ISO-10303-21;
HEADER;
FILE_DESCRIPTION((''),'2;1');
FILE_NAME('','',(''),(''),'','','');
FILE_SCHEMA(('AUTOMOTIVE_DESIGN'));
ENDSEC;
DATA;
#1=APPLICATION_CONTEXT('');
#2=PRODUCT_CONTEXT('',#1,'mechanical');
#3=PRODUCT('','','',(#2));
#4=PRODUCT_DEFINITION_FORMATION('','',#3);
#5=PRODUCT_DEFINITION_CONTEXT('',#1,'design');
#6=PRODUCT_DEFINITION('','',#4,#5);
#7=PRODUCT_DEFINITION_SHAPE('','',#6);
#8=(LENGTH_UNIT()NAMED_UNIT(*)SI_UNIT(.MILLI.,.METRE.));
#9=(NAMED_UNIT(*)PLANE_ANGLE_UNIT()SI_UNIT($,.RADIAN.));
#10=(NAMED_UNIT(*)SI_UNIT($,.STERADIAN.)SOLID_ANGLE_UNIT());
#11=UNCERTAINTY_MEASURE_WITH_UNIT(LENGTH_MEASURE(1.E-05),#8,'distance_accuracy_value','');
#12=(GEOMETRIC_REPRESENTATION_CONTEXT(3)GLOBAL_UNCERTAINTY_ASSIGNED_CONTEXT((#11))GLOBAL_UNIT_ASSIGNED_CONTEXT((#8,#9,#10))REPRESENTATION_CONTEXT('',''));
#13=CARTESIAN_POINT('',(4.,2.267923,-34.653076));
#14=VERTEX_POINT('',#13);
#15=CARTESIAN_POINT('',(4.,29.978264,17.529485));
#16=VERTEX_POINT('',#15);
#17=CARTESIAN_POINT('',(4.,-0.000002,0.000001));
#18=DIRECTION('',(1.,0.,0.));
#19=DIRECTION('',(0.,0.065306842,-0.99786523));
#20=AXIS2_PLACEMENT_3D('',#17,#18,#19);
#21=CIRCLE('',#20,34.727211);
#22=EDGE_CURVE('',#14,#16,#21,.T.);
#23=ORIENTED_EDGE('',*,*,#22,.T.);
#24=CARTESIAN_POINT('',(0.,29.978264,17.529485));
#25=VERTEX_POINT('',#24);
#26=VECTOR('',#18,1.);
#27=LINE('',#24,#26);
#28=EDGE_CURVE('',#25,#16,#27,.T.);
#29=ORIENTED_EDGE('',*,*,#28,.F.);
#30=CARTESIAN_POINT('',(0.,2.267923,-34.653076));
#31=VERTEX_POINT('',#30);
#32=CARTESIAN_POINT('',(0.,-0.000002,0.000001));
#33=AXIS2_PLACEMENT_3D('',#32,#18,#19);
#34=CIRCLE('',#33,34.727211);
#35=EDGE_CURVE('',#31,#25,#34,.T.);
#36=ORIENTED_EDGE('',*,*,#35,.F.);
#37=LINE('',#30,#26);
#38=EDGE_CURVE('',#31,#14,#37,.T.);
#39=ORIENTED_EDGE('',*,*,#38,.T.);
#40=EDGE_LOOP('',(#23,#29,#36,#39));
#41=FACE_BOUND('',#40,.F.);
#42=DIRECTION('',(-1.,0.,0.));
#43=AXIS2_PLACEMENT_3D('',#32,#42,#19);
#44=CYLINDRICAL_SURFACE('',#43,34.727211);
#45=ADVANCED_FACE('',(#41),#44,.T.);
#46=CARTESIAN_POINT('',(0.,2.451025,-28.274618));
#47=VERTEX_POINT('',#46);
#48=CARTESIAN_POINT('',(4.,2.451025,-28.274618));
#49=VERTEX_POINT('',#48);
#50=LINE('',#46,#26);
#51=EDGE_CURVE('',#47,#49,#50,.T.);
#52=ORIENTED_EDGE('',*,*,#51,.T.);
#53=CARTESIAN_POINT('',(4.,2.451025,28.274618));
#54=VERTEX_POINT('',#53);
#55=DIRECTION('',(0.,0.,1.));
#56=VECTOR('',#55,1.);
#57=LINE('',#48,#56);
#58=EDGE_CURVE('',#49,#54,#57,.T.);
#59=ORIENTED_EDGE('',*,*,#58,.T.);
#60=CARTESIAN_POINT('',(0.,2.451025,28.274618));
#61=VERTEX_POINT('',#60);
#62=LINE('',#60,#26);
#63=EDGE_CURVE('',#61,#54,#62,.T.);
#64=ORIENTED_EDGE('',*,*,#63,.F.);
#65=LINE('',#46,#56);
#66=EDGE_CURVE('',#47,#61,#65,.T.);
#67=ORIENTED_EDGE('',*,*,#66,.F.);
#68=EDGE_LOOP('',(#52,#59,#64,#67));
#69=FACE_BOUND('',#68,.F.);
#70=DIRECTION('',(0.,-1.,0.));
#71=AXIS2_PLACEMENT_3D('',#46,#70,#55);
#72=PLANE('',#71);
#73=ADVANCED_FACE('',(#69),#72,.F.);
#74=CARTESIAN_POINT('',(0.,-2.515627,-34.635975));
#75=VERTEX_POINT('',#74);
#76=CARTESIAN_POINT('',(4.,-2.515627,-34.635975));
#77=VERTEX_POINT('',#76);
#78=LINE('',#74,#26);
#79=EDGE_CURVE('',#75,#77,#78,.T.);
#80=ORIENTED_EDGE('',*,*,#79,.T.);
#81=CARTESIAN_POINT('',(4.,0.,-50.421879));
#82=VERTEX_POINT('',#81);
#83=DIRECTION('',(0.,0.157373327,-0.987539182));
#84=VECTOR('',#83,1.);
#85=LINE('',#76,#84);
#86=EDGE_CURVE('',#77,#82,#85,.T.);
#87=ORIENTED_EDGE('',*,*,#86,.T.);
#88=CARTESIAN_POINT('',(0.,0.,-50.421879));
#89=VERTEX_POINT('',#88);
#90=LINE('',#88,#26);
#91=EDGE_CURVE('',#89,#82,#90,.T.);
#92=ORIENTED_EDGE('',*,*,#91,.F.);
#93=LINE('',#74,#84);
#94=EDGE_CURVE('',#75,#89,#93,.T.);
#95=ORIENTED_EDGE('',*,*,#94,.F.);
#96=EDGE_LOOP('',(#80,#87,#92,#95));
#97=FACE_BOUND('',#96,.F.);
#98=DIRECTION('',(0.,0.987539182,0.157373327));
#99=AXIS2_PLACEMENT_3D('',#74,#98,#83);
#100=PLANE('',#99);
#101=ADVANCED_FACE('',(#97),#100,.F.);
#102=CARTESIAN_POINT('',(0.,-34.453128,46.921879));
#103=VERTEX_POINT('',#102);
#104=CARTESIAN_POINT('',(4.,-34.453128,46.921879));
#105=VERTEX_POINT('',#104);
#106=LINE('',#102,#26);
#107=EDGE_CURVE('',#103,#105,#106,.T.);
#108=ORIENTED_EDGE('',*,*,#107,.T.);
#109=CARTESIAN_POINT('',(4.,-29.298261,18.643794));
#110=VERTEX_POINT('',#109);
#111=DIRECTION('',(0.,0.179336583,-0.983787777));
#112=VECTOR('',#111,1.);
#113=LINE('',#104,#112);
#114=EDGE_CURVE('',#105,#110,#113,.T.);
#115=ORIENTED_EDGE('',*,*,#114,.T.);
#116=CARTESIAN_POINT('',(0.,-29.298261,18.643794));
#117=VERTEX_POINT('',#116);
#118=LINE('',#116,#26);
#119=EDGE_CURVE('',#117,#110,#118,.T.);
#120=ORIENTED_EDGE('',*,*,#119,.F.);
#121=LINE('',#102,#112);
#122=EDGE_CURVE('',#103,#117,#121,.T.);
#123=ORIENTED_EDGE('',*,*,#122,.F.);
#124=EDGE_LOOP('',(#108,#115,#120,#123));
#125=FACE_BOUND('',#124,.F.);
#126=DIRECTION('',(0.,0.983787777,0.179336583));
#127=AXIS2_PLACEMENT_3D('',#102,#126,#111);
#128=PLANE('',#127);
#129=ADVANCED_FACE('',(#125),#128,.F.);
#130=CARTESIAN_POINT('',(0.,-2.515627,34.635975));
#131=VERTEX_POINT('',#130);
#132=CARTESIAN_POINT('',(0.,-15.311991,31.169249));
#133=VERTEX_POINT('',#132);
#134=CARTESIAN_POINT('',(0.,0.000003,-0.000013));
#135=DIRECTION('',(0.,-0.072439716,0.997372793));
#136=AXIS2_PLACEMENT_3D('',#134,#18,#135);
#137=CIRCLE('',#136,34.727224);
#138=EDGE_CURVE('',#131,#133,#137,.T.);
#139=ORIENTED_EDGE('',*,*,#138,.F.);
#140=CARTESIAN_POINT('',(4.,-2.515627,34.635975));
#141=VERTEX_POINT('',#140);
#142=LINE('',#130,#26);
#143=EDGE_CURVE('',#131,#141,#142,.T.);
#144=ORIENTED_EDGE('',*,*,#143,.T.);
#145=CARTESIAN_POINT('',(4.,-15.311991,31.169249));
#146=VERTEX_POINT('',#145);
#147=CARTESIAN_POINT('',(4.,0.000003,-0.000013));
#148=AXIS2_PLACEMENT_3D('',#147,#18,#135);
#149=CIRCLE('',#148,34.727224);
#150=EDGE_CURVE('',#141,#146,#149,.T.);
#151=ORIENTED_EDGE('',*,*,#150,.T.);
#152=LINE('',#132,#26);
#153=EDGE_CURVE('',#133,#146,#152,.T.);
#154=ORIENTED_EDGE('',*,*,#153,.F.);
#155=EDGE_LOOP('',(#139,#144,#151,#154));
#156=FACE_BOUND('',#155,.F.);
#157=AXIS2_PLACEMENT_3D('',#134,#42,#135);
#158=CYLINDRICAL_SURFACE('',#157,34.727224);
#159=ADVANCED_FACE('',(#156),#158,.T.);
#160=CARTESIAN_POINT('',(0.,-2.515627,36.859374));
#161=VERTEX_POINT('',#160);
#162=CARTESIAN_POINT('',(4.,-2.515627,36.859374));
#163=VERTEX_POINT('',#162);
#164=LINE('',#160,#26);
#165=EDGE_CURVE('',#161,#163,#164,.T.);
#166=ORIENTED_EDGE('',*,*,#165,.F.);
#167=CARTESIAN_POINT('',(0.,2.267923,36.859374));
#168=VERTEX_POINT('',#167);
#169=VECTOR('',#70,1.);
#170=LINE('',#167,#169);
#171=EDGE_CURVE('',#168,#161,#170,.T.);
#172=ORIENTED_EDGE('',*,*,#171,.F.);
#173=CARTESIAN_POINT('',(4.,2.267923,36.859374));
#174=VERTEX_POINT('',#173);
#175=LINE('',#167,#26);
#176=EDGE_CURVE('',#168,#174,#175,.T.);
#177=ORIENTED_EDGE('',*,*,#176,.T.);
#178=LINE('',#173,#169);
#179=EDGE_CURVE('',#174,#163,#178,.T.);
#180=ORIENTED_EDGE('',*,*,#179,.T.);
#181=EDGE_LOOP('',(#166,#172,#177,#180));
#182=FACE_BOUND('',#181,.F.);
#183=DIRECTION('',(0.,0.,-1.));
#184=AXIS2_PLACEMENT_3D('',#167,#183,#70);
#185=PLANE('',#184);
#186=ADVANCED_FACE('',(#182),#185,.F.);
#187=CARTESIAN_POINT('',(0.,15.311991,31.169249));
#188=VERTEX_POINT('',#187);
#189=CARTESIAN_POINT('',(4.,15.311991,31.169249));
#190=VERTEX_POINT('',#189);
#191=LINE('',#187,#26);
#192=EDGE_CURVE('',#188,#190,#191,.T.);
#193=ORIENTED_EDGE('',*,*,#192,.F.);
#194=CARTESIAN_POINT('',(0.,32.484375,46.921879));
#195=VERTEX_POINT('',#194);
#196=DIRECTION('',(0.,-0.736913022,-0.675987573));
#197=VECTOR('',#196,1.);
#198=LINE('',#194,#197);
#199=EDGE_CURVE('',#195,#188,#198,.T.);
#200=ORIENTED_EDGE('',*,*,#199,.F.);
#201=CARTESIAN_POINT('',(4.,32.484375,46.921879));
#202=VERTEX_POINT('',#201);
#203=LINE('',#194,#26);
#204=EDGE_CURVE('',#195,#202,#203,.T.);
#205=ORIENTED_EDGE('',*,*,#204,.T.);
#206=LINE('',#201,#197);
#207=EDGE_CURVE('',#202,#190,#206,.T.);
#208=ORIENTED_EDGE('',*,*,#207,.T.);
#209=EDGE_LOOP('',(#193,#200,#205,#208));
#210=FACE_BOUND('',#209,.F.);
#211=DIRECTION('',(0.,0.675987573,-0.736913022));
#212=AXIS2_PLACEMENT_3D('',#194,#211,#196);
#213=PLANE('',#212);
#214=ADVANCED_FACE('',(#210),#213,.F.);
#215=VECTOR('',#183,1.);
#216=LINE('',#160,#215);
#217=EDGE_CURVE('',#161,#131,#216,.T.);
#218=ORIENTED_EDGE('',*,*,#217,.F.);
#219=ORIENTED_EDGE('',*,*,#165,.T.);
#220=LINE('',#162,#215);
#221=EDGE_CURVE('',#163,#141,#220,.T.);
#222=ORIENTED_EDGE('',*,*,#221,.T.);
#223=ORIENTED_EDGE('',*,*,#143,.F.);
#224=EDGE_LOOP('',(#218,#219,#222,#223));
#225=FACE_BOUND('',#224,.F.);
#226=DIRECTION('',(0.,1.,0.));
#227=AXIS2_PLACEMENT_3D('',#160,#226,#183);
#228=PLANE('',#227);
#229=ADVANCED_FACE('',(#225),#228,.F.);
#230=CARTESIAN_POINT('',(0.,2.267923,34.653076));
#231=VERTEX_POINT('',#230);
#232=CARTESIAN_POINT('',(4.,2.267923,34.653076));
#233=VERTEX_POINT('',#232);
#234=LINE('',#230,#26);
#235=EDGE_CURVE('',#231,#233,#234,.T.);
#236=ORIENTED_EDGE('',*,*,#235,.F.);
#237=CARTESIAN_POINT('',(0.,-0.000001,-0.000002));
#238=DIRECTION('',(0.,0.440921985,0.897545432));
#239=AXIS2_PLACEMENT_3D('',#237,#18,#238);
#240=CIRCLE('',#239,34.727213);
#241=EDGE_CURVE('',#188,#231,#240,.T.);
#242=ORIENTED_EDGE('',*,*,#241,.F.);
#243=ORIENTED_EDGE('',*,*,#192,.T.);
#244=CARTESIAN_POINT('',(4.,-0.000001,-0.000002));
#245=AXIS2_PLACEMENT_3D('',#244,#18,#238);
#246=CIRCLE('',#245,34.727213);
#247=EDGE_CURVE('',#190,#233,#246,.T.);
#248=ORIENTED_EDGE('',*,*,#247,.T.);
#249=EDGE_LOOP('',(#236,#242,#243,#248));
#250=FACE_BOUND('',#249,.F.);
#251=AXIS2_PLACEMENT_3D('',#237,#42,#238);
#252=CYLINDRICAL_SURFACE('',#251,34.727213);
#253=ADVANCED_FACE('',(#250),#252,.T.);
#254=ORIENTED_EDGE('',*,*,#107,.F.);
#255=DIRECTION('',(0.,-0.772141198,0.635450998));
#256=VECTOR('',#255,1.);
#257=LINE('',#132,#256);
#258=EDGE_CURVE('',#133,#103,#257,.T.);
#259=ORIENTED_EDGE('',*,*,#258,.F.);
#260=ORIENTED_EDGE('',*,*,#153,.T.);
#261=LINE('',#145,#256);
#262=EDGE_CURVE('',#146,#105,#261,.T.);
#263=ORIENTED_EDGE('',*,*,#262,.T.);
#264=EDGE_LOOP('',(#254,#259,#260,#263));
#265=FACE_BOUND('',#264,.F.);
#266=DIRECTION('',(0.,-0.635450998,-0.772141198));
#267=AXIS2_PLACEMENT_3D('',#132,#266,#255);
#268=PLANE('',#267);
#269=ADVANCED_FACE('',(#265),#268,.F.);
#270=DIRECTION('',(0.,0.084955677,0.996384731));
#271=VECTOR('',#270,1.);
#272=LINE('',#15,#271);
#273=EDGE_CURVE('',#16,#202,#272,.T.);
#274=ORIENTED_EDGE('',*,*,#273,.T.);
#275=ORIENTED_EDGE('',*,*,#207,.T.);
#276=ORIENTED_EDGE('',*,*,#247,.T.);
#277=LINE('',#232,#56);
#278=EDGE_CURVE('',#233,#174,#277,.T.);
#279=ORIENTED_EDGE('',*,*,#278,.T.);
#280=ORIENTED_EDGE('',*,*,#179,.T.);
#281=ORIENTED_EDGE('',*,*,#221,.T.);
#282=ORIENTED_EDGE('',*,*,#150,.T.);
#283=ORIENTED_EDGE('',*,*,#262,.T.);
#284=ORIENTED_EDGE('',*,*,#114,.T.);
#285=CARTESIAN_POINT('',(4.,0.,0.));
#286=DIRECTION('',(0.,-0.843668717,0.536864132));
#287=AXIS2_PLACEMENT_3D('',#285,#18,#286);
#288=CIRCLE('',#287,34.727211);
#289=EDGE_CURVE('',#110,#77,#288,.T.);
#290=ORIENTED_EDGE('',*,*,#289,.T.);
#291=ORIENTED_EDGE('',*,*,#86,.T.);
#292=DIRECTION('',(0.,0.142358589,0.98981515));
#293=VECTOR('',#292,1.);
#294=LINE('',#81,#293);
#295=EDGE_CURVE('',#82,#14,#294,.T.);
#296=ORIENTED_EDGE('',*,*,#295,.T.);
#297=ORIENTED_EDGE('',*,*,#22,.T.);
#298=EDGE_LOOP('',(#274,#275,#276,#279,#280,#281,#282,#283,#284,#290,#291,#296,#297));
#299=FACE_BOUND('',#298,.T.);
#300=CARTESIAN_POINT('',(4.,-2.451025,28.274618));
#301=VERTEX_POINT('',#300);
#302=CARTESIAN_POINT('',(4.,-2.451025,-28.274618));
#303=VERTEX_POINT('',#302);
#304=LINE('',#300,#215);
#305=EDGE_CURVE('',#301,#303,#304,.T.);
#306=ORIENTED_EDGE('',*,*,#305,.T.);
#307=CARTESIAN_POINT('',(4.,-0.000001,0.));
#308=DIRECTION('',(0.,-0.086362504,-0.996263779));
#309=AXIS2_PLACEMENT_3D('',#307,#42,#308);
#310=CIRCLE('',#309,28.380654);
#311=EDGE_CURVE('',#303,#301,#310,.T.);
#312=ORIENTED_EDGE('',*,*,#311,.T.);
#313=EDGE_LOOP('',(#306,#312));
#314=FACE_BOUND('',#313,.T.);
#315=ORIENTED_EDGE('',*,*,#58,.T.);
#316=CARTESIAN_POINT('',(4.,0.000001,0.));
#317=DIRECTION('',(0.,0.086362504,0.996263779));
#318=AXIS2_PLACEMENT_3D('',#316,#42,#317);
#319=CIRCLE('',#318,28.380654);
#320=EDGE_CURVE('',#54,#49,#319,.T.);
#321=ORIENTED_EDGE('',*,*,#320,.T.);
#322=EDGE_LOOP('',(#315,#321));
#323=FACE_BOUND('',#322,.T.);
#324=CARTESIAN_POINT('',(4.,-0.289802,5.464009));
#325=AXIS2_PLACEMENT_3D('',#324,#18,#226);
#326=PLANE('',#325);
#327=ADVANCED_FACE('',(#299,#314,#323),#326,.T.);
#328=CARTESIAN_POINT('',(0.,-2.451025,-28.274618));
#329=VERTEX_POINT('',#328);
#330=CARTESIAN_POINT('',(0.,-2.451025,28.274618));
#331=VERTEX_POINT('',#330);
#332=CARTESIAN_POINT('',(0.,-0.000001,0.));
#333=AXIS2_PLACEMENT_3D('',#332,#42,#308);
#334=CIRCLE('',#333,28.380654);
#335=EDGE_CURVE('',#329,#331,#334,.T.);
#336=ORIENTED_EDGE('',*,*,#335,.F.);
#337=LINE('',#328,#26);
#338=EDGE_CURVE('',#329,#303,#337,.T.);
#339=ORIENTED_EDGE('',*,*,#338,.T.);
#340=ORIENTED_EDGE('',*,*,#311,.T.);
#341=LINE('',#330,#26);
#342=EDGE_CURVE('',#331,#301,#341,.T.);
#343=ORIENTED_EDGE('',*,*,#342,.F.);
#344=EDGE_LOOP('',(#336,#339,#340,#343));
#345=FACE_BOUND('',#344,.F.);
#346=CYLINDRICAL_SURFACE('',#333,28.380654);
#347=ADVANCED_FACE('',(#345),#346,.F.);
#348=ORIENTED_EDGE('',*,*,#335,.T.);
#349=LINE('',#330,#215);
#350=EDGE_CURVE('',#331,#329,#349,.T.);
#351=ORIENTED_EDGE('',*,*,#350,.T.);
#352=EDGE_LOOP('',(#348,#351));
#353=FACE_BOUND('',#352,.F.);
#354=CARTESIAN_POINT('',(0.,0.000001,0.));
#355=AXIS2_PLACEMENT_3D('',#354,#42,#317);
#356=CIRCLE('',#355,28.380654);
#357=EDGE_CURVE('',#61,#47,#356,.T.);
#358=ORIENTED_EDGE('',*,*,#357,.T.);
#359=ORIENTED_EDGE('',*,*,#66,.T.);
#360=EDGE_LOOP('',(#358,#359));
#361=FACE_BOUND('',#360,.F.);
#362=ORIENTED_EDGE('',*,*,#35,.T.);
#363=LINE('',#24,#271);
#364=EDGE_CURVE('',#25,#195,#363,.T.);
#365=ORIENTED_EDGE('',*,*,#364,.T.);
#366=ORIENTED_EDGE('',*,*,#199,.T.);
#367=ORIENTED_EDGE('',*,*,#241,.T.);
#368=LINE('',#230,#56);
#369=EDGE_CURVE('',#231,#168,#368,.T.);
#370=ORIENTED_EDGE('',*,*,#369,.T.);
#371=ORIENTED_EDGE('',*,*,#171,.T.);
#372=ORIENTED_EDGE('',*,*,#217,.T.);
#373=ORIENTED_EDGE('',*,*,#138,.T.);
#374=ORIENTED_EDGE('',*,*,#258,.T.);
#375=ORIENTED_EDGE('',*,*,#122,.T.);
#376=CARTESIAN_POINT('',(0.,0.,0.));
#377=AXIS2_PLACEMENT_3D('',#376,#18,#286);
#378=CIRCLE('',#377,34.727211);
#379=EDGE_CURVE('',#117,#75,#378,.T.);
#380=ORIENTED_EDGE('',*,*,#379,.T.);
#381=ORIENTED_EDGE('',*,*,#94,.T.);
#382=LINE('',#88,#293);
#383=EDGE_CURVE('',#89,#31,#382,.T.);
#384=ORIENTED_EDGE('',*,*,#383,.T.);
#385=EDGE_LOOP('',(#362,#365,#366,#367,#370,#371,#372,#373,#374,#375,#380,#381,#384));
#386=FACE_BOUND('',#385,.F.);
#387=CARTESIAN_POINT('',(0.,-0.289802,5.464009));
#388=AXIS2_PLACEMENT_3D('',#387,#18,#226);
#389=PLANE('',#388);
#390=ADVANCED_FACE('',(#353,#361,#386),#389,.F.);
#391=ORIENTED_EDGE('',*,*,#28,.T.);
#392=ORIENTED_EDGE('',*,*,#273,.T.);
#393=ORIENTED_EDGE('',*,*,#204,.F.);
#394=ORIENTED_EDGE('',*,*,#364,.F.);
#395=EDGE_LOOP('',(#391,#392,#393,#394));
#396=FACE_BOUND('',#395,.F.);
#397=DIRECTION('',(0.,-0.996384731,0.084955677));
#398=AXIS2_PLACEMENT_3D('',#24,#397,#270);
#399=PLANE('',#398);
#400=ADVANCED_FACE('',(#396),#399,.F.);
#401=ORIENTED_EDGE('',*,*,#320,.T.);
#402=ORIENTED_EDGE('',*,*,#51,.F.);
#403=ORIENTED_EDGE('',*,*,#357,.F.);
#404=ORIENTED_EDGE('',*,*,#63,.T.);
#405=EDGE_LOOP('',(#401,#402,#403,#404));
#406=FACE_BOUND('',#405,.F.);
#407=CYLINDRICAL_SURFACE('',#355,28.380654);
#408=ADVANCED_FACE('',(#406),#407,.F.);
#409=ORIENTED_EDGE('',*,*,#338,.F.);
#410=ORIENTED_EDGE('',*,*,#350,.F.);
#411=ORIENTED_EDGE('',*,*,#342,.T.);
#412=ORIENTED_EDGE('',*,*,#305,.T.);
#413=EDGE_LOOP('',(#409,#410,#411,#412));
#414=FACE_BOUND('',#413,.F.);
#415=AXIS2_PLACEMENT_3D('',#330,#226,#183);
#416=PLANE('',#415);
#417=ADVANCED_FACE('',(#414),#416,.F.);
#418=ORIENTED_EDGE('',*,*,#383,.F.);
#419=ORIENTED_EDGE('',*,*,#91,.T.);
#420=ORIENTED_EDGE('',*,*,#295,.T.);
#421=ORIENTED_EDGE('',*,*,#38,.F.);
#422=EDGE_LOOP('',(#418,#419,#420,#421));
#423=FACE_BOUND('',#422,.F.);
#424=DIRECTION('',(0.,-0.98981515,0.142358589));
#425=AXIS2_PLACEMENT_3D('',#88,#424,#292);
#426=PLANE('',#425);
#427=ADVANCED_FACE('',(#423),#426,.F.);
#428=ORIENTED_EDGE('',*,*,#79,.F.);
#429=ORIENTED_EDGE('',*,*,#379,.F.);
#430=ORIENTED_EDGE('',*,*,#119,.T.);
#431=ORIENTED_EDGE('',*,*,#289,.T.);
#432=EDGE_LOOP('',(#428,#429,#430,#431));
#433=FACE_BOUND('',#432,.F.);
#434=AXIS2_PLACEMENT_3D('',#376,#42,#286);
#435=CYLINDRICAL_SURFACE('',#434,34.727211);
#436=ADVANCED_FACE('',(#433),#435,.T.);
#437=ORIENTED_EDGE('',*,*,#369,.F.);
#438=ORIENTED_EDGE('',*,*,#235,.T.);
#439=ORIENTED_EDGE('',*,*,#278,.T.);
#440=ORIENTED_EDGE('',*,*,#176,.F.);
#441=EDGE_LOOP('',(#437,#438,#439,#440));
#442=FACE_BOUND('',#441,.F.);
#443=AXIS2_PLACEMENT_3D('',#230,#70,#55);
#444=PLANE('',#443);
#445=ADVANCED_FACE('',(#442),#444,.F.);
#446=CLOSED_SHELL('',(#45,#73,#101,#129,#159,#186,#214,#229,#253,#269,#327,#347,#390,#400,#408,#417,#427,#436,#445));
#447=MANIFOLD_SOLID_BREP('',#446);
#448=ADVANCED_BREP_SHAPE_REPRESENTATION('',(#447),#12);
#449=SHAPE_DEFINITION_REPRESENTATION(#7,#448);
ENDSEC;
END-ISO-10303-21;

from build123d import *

# Parameters (mm, degrees)
F1_DEPTH = 4


with BuildPart() as f1:
    # F0 (on Right) → F1 (new body)
    with BuildSketch(Plane.YZ):
        with BuildLine():
            Line((-34.453128, 46.921879), (-29.298261, 18.643794))
            ThreePointArc((-29.298261, 18.643794), (-31.027638, -15.596949), (-2.515627, -34.635975))
            Line((-2.515627, -34.635975), (0, -50.421879))
            Line((0, -50.421879), (2.267923, -34.653076))
            ThreePointArc((2.267923, -34.653076), (30.67098, -16.287114), (29.978264, 17.529485))
            Line((29.978264, 17.529485), (32.484375, 46.921879))
            Line((32.484375, 46.921879), (15.311991, 31.169249))
            ThreePointArc((15.311991, 31.169249), (8.960893, 33.551178), (2.267923, 34.653076))
            Line((2.267923, 34.653076), (-2.515627, 34.635975))
            ThreePointArc((-2.515627, 34.635975), (-9.080778, 33.518929), (-15.311991, 31.169249))
            Line((-15.311991, 31.169249), (-34.453128, 46.921879))
        make_face()
        with BuildLine():
            ThreePointArc((-2.451025, -28.274618), (-28.380655, 0), (-2.451025, 28.274618))
            Line((-2.451025, 28.274618), (-2.451025, -28.274618))
        make_face(mode=Mode.SUBTRACT)
        with BuildLine():
            Line((2.451025, -28.274618), (2.451025, 28.274618))
            ThreePointArc((2.451025, 28.274618), (28.380655, 0), (2.451025, -28.274618))
        make_face(mode=Mode.SUBTRACT)
        Polygon((-2.515627, 36.859374), (-2.515627, 34.635975), (2.267923, 34.653076), (2.267923, 36.859374), align=None)
    extrude(amount=F1_DEPTH)


solid = f1.part
